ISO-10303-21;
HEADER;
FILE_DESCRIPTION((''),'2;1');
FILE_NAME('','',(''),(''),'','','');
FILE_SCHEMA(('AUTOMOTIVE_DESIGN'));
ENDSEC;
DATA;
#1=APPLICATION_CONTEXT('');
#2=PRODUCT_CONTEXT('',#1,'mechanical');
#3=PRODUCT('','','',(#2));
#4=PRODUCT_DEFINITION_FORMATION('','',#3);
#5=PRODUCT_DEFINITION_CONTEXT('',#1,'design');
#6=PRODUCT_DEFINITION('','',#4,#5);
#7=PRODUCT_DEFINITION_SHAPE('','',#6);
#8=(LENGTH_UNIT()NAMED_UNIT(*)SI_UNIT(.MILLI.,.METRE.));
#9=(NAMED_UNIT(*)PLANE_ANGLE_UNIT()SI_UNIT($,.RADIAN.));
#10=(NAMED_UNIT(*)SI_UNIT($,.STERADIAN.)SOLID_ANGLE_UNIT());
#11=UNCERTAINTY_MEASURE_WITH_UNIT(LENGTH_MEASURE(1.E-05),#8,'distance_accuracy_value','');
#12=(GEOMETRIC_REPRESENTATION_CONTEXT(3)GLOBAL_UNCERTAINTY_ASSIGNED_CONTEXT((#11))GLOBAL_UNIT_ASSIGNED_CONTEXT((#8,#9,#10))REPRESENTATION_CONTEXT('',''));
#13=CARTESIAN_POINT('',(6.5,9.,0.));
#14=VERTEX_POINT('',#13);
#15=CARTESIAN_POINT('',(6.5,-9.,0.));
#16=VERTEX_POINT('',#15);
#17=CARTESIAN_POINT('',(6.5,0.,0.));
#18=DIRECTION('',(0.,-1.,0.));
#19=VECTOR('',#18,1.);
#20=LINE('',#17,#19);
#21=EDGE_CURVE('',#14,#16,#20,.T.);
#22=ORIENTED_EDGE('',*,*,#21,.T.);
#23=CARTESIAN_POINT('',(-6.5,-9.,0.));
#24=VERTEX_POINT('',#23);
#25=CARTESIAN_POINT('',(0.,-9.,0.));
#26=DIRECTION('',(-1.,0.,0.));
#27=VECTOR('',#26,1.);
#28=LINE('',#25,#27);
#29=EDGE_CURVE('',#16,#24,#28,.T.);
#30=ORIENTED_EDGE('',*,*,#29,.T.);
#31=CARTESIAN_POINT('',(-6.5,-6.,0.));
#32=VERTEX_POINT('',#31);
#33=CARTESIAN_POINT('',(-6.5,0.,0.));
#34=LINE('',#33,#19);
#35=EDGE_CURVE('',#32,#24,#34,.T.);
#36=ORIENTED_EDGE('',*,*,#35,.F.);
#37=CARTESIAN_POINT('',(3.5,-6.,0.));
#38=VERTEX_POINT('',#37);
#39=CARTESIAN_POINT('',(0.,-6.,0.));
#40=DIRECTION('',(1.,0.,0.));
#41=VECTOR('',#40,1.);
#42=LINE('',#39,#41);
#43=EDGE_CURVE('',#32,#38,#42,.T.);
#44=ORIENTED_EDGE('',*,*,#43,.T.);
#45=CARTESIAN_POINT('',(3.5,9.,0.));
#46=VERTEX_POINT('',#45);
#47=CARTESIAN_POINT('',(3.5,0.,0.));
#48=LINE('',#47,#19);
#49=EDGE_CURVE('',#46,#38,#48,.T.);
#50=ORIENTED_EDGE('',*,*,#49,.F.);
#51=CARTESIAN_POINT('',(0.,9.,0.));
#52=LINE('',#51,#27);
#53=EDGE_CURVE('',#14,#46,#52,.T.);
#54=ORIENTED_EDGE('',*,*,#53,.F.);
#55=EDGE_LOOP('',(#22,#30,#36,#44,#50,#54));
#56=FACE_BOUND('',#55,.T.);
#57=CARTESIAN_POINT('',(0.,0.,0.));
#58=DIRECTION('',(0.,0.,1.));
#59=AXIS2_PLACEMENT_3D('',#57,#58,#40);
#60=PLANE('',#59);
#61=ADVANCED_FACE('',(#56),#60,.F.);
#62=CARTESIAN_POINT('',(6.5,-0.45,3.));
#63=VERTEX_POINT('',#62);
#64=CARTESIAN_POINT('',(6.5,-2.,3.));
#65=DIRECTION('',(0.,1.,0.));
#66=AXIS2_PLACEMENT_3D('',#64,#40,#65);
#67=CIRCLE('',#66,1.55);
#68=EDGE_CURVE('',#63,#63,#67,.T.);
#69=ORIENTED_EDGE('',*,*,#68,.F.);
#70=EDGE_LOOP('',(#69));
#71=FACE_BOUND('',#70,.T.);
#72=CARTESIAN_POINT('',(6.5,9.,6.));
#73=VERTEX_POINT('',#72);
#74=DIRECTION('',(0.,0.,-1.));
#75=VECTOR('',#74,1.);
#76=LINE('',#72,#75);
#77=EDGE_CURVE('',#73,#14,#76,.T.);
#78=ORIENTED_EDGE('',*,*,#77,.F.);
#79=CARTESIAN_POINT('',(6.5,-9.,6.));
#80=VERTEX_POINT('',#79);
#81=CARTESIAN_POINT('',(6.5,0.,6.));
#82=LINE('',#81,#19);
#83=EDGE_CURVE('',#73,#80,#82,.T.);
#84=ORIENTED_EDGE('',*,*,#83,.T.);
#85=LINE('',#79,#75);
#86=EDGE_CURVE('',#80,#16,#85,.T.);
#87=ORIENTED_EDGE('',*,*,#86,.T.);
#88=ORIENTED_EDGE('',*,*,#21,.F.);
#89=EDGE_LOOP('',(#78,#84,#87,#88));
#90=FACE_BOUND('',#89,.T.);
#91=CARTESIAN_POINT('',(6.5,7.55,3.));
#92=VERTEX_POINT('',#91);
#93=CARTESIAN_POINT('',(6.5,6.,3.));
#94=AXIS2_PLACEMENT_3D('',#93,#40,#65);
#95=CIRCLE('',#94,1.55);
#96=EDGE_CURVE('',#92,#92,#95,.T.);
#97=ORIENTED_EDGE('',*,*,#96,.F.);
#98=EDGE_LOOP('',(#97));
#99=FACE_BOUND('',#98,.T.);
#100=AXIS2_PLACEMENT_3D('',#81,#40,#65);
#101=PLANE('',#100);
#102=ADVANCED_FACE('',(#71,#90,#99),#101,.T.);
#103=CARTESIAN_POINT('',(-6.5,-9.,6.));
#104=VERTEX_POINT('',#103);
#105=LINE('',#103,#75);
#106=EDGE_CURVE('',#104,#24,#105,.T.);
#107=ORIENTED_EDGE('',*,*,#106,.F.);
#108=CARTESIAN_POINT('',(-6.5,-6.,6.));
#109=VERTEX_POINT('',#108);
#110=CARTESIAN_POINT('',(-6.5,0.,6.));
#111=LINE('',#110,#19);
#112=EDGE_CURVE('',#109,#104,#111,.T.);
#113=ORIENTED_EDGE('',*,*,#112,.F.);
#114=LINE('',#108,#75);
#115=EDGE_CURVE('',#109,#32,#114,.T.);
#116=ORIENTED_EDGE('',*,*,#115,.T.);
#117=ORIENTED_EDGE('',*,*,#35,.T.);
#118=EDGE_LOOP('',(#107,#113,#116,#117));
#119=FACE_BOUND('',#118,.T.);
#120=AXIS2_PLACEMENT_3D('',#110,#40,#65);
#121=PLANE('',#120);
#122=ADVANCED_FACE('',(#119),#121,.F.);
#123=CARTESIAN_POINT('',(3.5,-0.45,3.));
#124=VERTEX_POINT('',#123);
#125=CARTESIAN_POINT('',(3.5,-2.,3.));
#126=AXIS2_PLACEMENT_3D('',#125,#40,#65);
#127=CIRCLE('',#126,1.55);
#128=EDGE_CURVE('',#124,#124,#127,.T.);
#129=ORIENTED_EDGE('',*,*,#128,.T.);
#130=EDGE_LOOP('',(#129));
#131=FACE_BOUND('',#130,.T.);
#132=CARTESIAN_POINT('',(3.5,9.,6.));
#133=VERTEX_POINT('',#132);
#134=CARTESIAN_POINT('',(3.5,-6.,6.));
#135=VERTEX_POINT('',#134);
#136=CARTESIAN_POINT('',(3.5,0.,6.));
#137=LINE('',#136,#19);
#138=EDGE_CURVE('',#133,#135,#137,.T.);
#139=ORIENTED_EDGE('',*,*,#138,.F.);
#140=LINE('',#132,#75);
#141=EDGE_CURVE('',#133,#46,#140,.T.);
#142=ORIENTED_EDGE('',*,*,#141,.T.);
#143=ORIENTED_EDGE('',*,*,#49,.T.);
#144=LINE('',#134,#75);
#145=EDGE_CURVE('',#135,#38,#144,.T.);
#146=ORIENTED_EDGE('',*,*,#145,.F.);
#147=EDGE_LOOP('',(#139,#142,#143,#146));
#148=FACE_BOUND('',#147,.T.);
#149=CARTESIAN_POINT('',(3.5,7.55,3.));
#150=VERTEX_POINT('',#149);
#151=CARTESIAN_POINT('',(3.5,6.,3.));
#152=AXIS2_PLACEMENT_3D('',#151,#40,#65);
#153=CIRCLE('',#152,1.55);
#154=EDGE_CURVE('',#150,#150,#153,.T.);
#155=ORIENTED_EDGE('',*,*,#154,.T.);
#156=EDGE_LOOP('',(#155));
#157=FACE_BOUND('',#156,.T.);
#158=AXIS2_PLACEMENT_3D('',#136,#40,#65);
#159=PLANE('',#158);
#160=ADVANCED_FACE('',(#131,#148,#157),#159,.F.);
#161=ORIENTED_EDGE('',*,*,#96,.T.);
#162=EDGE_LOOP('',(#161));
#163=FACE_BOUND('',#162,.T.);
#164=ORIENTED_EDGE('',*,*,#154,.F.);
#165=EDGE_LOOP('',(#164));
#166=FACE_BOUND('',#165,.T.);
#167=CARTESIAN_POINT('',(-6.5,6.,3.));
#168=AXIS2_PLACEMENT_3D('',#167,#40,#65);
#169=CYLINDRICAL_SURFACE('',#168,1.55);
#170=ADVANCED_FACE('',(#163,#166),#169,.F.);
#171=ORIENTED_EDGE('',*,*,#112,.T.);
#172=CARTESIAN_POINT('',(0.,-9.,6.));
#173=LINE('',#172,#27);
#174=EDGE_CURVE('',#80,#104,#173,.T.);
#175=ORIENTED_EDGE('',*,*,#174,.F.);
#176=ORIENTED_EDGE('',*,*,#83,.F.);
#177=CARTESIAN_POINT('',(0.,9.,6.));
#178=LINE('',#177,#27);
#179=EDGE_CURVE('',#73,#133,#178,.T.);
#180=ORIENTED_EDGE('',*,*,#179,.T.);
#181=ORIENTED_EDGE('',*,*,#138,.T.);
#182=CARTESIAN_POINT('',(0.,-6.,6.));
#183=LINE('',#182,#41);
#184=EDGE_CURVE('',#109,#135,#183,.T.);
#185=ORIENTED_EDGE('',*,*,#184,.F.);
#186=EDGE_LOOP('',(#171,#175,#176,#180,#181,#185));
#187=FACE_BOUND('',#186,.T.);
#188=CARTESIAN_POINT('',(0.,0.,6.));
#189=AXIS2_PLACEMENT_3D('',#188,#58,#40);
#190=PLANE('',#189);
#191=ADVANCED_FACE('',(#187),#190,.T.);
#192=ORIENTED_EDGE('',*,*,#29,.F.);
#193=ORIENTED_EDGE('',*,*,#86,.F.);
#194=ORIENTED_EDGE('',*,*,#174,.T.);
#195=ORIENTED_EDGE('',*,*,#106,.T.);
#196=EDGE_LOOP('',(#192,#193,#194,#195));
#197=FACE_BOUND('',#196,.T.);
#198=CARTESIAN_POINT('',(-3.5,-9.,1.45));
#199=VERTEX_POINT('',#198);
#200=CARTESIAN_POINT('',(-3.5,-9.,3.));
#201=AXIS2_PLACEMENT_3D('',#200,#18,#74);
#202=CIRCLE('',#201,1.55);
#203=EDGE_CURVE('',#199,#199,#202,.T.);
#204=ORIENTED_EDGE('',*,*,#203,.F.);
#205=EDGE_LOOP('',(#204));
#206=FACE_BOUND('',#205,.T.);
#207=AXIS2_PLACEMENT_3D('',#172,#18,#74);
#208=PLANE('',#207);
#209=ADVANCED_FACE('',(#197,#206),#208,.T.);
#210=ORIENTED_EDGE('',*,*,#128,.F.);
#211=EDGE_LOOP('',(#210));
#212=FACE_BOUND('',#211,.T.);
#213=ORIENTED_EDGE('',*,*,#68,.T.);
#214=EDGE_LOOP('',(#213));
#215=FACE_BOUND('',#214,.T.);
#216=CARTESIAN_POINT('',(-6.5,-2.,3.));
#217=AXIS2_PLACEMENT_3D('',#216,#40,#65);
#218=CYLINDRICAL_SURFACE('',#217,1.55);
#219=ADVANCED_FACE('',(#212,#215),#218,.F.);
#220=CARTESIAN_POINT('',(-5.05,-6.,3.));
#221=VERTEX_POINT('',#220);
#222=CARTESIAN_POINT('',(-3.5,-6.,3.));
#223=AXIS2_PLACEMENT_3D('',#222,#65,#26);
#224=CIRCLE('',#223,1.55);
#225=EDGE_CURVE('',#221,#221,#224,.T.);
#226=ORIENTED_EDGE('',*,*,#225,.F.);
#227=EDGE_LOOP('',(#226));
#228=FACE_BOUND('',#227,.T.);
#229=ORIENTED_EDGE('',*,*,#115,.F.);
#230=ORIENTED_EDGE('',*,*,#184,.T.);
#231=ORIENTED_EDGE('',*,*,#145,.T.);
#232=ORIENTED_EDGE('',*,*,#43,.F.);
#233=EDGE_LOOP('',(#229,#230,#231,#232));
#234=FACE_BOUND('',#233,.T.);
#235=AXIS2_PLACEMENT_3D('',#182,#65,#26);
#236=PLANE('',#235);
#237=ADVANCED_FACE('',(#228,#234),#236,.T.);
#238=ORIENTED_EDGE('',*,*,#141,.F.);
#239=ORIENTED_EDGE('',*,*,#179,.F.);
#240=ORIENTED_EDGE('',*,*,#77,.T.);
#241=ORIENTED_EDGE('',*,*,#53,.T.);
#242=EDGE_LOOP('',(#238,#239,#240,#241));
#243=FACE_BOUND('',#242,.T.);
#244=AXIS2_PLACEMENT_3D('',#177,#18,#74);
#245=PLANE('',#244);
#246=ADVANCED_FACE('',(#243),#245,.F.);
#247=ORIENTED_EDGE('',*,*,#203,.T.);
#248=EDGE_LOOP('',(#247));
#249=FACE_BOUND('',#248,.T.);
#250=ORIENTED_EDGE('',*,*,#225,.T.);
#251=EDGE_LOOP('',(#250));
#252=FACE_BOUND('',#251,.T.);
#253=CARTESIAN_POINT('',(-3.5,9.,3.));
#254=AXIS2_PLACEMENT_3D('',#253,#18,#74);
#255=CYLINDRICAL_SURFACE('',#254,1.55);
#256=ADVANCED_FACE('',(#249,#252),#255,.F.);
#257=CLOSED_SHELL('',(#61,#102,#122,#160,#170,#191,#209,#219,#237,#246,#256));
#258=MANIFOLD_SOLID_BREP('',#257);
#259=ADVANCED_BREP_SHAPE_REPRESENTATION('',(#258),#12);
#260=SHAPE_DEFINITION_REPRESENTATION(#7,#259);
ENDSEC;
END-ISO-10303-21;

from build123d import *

# Parameters (mm, degrees)
BOSS_EXTRUDE1_DEPTH = 6
SKETCH3_R           = 1.55
CUT_EXTRUDE1_DEPTH  = 17.911534525
SKETCH5_R           = 1.55
CUT_EXTRUDE2_DEPTH  = 21.05617112


with BuildPart() as part:
    # Sketch1 → Boss-Extrude1 (new body)
    with BuildSketch(Plane.XY):
        Polygon((3.5, -6), (0.5, -6), (-6.5, -6), (-6.5, -9), (6.5, -9), (6.5, 9), (3.5, 9), (3.5, -4.7), align=None)
    extrude(amount=BOSS_EXTRUDE1_DEPTH)

    # Sketch3 → Cut-Extrude1 (cut, through all)
    with BuildSketch(Plane(origin=(6.5, 0, 0), x_dir=(0, 0, -1), z_dir=(1, 0, 0))):
        with Locations(Location((-3, 6, 0), (0, 0, 90))):
            Circle(SKETCH3_R)
        with Locations(Location((-3, -2, 0), (0, 0, 90))):
            Circle(SKETCH3_R)
    extrude(amount=-CUT_EXTRUDE1_DEPTH, mode=Mode.SUBTRACT)

    # Sketch5 → Cut-Extrude2 (cut, through all)
    with BuildSketch(Plane.XZ.offset(9)):
        with Locations(Location((-3.5, 3, 0), (0, 0, 270))):
            Circle(SKETCH5_R)
    extrude(amount=-CUT_EXTRUDE2_DEPTH, mode=Mode.SUBTRACT)


solid = part.part
